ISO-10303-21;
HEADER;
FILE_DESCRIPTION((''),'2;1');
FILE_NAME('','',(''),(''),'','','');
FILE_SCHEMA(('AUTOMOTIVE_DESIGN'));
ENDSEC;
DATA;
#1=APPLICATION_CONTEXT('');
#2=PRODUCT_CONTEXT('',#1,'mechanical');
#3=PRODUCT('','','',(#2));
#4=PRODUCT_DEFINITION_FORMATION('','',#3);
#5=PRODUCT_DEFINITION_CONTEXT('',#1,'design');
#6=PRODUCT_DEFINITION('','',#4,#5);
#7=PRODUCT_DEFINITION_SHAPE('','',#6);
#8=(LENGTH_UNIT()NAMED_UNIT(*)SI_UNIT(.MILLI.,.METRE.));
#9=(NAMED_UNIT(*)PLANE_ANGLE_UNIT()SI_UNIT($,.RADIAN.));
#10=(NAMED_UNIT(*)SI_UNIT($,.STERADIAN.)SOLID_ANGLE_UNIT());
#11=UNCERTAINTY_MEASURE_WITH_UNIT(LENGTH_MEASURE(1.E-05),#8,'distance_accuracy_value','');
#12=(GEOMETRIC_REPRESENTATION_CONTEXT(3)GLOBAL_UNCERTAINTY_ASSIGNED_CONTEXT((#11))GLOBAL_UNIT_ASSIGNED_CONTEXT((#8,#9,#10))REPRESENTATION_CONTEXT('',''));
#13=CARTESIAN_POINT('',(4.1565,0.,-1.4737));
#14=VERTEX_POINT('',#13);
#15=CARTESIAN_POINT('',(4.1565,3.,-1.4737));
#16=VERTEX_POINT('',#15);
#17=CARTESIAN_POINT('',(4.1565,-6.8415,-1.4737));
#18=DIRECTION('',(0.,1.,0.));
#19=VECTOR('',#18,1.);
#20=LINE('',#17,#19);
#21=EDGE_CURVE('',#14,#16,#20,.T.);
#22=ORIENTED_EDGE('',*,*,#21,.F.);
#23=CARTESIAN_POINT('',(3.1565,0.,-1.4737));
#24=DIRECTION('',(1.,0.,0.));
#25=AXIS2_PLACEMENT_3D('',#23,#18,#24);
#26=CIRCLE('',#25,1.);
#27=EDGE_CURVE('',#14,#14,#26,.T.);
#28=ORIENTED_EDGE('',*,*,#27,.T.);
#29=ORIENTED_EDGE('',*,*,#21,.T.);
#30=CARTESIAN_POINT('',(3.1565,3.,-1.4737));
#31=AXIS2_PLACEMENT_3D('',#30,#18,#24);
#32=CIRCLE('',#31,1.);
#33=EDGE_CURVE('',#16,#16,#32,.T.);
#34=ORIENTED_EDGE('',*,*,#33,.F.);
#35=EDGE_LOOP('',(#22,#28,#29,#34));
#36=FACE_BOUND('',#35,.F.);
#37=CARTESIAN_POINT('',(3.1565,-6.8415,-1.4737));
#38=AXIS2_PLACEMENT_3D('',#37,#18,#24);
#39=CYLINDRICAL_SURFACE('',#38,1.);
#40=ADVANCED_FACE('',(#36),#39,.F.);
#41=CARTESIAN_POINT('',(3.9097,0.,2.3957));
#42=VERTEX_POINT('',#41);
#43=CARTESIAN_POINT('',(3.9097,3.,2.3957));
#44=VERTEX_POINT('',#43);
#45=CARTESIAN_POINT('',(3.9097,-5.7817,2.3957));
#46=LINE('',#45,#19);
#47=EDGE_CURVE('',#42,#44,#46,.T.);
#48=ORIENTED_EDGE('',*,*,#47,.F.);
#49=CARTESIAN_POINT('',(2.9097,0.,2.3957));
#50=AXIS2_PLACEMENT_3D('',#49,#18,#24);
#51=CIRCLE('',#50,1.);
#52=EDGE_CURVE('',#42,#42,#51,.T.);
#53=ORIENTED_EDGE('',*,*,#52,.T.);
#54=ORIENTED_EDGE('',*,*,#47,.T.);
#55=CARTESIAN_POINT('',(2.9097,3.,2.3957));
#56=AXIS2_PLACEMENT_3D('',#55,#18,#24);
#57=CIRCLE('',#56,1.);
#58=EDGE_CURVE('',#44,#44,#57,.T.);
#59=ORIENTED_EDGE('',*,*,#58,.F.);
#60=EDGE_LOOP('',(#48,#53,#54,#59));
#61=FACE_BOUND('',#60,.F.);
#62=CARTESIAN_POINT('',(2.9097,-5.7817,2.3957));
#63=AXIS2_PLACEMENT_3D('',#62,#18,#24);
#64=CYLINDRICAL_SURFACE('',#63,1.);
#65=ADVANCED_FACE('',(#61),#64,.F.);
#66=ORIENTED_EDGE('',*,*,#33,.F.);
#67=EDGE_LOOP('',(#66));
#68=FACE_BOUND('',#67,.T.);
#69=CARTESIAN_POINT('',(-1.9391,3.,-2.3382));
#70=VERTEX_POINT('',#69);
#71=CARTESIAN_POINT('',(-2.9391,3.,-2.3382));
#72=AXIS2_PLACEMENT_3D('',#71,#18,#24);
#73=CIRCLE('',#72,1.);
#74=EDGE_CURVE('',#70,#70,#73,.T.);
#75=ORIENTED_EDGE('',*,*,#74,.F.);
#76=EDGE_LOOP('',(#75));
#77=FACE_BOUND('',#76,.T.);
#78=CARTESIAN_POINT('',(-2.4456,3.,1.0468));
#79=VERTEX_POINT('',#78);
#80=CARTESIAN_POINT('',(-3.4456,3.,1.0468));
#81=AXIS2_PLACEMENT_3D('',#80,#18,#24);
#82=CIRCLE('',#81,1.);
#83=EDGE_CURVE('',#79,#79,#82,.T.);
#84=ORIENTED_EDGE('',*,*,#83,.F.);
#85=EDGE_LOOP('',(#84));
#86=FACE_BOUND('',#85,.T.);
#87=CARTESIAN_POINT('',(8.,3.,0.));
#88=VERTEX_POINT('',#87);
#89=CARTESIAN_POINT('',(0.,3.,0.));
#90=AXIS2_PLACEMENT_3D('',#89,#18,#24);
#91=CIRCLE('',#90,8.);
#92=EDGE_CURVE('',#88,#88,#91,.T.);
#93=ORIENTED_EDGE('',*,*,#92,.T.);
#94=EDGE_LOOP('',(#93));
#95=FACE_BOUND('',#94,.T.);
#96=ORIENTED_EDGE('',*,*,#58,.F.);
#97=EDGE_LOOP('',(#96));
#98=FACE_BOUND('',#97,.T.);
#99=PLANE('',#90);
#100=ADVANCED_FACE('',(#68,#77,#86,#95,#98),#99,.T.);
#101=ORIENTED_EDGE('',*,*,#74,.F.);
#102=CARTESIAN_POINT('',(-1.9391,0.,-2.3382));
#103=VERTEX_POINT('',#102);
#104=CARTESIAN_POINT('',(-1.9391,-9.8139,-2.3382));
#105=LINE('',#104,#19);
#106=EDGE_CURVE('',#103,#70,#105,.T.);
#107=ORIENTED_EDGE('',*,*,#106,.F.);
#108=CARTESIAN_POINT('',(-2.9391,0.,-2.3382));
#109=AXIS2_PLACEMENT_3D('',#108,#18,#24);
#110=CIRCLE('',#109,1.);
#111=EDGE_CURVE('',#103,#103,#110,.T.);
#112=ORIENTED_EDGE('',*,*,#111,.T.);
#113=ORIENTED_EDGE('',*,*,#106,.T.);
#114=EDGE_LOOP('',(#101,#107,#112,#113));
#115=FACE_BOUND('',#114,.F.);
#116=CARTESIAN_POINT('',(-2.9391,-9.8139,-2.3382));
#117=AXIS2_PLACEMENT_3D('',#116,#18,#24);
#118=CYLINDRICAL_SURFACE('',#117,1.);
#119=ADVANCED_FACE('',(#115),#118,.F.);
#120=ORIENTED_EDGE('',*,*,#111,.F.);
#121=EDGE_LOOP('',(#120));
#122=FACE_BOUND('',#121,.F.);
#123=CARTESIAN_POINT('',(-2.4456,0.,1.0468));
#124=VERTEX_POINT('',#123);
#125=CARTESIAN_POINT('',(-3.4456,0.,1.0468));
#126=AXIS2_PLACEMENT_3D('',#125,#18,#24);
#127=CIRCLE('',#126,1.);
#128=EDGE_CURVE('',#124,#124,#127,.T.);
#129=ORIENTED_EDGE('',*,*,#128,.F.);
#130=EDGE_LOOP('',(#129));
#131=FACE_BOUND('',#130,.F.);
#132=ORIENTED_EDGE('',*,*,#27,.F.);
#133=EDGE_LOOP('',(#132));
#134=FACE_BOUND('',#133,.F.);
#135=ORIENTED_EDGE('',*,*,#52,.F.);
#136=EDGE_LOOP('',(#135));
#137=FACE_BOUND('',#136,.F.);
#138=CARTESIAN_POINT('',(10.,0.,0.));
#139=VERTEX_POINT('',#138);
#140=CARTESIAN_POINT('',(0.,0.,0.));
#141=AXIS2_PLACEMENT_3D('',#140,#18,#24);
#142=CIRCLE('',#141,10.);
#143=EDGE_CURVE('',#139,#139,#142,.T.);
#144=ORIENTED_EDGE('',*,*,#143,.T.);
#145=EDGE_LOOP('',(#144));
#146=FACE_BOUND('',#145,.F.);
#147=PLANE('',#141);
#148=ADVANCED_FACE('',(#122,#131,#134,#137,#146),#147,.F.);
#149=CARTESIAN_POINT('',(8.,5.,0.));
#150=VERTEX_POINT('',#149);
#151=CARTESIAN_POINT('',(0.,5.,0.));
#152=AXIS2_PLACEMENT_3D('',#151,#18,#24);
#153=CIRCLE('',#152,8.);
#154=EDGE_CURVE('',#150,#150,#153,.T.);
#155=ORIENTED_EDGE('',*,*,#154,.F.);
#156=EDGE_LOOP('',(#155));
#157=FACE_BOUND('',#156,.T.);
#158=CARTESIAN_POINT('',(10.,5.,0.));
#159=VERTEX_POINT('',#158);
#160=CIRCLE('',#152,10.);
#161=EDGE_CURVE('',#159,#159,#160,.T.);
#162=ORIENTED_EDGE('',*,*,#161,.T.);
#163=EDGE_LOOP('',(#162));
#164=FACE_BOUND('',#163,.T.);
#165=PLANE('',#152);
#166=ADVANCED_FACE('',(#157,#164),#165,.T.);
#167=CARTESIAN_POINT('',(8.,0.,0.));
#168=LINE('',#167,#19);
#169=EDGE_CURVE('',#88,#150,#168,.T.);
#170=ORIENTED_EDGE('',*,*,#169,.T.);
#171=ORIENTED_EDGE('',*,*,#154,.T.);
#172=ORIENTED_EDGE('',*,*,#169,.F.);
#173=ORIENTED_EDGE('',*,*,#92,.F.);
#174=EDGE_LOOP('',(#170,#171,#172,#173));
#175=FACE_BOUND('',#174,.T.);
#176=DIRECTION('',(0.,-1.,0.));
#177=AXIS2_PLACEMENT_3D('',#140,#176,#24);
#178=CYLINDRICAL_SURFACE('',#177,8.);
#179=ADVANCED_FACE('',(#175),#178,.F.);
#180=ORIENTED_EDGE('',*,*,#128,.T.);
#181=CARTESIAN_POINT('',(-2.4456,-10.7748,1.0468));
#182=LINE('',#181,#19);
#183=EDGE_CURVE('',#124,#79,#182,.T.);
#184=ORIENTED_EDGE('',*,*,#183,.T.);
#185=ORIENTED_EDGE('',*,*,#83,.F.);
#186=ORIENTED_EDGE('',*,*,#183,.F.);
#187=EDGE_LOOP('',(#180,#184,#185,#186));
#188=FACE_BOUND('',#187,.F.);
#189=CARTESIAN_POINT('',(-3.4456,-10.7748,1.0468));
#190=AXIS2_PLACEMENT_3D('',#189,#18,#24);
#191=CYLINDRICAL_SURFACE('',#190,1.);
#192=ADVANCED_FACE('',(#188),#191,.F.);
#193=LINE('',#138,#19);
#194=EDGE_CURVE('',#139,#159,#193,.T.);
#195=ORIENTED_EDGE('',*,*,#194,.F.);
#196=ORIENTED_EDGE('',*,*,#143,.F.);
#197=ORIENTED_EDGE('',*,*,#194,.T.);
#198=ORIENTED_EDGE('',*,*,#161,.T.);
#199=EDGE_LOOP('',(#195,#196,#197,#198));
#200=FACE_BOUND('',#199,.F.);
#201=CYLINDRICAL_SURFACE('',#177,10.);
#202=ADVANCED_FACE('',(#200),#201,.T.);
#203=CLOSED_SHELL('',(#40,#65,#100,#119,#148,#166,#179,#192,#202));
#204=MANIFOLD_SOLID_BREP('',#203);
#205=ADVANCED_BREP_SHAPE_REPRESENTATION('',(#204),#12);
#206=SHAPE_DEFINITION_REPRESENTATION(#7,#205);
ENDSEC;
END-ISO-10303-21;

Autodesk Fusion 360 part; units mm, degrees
sketch "草图1" plane through (0, 0, 0) normal (0, 1, 0) x (1, 0, 0)
  circle A0 centre (0, 0) radius 10
  circle A1 centre (0, 0) radius 8
  dimension "d1" = 2
extrude "拉伸1" add sketch "草图1" along normal blind 3 contours A1 makes body 1
extrude "拉伸2" add sketch "草图1" along normal blind 5 separate body makes body 2
cylinder "圆柱体基本要素1" add diameter 2 height 20 placed x (1, 0, 0) y (0, 0, -1) z (0, 1, 0) at (11, 0, -24) separate body makes body 3
move_body "移动1" bodies 3 to x (1, 0, 0) y (0, 1, 0) z (0, 0, 1) at (-11.0071, 0, 23.9842)
pattern_linear "R-阵列1" count 2 spacing 6 along (1, 0, 0) count 2 spacing 4 along (0, 0, 1) of bodies 3 makes body 4 at (6.9879, 13.3333, 0.0837) makes body 5 at (0.9917, 6.6667, 4.034) makes body 6 at (6.9879, 13.3333, 4.0837)
move_body "移动2" bodies 3 to x (1, 0, 0) y (0, 1, 0) z (0, 0, 1) at (-2.932, 0.1861, -2.3224)
move_body "移动3" bodies 4 to x (1, 0, 0) y (0, 1, 0) z (0, 0, 1) at (-3.4385, 0.2252, -2.9374)
move_body "移动4" bodies 5 to x (1, 0, 0) y (0, 1, 0) z (0, 0, 1) at (-3.0212, 0.1585, -1.3655)
move_body "移动5" bodies 6 to x (1, 0, 0) y (0, 1, 0) z (0, 0, 1) at (-3.0832, 0.2183, -1.5885)
move_body "移动6" bodies 5 to x (1, 0, 0) y (0, 1, 0) z (0, 0, 1) at (0.1848, 0, -0.0924)
move_body "移动7" bodies 3 to x (1, 0, 0) y (0, 1, 0) z (0, 0, 1) at (0, -10, 0)
move_body "移动8" bodies 4 to x (1, 0, 0) y (0, 1, 0) z (0, 0, 1) at (0, -11, 0)
move_body "移动9" bodies 6 to x (1, 0, 0) y (0, 1, 0) z (0, 0, 1) at (0, -6, 0)
move_body "移动10" bodies 5 to x (1, 0, 0) y (0, 1, 0) z (0, 0, 1) at (0, -7, 0)
combine "合并1" operation cut target body 1 tool bodies 5 3 6 4
combine "合并2" operation add target body 1 tool bodies 2
